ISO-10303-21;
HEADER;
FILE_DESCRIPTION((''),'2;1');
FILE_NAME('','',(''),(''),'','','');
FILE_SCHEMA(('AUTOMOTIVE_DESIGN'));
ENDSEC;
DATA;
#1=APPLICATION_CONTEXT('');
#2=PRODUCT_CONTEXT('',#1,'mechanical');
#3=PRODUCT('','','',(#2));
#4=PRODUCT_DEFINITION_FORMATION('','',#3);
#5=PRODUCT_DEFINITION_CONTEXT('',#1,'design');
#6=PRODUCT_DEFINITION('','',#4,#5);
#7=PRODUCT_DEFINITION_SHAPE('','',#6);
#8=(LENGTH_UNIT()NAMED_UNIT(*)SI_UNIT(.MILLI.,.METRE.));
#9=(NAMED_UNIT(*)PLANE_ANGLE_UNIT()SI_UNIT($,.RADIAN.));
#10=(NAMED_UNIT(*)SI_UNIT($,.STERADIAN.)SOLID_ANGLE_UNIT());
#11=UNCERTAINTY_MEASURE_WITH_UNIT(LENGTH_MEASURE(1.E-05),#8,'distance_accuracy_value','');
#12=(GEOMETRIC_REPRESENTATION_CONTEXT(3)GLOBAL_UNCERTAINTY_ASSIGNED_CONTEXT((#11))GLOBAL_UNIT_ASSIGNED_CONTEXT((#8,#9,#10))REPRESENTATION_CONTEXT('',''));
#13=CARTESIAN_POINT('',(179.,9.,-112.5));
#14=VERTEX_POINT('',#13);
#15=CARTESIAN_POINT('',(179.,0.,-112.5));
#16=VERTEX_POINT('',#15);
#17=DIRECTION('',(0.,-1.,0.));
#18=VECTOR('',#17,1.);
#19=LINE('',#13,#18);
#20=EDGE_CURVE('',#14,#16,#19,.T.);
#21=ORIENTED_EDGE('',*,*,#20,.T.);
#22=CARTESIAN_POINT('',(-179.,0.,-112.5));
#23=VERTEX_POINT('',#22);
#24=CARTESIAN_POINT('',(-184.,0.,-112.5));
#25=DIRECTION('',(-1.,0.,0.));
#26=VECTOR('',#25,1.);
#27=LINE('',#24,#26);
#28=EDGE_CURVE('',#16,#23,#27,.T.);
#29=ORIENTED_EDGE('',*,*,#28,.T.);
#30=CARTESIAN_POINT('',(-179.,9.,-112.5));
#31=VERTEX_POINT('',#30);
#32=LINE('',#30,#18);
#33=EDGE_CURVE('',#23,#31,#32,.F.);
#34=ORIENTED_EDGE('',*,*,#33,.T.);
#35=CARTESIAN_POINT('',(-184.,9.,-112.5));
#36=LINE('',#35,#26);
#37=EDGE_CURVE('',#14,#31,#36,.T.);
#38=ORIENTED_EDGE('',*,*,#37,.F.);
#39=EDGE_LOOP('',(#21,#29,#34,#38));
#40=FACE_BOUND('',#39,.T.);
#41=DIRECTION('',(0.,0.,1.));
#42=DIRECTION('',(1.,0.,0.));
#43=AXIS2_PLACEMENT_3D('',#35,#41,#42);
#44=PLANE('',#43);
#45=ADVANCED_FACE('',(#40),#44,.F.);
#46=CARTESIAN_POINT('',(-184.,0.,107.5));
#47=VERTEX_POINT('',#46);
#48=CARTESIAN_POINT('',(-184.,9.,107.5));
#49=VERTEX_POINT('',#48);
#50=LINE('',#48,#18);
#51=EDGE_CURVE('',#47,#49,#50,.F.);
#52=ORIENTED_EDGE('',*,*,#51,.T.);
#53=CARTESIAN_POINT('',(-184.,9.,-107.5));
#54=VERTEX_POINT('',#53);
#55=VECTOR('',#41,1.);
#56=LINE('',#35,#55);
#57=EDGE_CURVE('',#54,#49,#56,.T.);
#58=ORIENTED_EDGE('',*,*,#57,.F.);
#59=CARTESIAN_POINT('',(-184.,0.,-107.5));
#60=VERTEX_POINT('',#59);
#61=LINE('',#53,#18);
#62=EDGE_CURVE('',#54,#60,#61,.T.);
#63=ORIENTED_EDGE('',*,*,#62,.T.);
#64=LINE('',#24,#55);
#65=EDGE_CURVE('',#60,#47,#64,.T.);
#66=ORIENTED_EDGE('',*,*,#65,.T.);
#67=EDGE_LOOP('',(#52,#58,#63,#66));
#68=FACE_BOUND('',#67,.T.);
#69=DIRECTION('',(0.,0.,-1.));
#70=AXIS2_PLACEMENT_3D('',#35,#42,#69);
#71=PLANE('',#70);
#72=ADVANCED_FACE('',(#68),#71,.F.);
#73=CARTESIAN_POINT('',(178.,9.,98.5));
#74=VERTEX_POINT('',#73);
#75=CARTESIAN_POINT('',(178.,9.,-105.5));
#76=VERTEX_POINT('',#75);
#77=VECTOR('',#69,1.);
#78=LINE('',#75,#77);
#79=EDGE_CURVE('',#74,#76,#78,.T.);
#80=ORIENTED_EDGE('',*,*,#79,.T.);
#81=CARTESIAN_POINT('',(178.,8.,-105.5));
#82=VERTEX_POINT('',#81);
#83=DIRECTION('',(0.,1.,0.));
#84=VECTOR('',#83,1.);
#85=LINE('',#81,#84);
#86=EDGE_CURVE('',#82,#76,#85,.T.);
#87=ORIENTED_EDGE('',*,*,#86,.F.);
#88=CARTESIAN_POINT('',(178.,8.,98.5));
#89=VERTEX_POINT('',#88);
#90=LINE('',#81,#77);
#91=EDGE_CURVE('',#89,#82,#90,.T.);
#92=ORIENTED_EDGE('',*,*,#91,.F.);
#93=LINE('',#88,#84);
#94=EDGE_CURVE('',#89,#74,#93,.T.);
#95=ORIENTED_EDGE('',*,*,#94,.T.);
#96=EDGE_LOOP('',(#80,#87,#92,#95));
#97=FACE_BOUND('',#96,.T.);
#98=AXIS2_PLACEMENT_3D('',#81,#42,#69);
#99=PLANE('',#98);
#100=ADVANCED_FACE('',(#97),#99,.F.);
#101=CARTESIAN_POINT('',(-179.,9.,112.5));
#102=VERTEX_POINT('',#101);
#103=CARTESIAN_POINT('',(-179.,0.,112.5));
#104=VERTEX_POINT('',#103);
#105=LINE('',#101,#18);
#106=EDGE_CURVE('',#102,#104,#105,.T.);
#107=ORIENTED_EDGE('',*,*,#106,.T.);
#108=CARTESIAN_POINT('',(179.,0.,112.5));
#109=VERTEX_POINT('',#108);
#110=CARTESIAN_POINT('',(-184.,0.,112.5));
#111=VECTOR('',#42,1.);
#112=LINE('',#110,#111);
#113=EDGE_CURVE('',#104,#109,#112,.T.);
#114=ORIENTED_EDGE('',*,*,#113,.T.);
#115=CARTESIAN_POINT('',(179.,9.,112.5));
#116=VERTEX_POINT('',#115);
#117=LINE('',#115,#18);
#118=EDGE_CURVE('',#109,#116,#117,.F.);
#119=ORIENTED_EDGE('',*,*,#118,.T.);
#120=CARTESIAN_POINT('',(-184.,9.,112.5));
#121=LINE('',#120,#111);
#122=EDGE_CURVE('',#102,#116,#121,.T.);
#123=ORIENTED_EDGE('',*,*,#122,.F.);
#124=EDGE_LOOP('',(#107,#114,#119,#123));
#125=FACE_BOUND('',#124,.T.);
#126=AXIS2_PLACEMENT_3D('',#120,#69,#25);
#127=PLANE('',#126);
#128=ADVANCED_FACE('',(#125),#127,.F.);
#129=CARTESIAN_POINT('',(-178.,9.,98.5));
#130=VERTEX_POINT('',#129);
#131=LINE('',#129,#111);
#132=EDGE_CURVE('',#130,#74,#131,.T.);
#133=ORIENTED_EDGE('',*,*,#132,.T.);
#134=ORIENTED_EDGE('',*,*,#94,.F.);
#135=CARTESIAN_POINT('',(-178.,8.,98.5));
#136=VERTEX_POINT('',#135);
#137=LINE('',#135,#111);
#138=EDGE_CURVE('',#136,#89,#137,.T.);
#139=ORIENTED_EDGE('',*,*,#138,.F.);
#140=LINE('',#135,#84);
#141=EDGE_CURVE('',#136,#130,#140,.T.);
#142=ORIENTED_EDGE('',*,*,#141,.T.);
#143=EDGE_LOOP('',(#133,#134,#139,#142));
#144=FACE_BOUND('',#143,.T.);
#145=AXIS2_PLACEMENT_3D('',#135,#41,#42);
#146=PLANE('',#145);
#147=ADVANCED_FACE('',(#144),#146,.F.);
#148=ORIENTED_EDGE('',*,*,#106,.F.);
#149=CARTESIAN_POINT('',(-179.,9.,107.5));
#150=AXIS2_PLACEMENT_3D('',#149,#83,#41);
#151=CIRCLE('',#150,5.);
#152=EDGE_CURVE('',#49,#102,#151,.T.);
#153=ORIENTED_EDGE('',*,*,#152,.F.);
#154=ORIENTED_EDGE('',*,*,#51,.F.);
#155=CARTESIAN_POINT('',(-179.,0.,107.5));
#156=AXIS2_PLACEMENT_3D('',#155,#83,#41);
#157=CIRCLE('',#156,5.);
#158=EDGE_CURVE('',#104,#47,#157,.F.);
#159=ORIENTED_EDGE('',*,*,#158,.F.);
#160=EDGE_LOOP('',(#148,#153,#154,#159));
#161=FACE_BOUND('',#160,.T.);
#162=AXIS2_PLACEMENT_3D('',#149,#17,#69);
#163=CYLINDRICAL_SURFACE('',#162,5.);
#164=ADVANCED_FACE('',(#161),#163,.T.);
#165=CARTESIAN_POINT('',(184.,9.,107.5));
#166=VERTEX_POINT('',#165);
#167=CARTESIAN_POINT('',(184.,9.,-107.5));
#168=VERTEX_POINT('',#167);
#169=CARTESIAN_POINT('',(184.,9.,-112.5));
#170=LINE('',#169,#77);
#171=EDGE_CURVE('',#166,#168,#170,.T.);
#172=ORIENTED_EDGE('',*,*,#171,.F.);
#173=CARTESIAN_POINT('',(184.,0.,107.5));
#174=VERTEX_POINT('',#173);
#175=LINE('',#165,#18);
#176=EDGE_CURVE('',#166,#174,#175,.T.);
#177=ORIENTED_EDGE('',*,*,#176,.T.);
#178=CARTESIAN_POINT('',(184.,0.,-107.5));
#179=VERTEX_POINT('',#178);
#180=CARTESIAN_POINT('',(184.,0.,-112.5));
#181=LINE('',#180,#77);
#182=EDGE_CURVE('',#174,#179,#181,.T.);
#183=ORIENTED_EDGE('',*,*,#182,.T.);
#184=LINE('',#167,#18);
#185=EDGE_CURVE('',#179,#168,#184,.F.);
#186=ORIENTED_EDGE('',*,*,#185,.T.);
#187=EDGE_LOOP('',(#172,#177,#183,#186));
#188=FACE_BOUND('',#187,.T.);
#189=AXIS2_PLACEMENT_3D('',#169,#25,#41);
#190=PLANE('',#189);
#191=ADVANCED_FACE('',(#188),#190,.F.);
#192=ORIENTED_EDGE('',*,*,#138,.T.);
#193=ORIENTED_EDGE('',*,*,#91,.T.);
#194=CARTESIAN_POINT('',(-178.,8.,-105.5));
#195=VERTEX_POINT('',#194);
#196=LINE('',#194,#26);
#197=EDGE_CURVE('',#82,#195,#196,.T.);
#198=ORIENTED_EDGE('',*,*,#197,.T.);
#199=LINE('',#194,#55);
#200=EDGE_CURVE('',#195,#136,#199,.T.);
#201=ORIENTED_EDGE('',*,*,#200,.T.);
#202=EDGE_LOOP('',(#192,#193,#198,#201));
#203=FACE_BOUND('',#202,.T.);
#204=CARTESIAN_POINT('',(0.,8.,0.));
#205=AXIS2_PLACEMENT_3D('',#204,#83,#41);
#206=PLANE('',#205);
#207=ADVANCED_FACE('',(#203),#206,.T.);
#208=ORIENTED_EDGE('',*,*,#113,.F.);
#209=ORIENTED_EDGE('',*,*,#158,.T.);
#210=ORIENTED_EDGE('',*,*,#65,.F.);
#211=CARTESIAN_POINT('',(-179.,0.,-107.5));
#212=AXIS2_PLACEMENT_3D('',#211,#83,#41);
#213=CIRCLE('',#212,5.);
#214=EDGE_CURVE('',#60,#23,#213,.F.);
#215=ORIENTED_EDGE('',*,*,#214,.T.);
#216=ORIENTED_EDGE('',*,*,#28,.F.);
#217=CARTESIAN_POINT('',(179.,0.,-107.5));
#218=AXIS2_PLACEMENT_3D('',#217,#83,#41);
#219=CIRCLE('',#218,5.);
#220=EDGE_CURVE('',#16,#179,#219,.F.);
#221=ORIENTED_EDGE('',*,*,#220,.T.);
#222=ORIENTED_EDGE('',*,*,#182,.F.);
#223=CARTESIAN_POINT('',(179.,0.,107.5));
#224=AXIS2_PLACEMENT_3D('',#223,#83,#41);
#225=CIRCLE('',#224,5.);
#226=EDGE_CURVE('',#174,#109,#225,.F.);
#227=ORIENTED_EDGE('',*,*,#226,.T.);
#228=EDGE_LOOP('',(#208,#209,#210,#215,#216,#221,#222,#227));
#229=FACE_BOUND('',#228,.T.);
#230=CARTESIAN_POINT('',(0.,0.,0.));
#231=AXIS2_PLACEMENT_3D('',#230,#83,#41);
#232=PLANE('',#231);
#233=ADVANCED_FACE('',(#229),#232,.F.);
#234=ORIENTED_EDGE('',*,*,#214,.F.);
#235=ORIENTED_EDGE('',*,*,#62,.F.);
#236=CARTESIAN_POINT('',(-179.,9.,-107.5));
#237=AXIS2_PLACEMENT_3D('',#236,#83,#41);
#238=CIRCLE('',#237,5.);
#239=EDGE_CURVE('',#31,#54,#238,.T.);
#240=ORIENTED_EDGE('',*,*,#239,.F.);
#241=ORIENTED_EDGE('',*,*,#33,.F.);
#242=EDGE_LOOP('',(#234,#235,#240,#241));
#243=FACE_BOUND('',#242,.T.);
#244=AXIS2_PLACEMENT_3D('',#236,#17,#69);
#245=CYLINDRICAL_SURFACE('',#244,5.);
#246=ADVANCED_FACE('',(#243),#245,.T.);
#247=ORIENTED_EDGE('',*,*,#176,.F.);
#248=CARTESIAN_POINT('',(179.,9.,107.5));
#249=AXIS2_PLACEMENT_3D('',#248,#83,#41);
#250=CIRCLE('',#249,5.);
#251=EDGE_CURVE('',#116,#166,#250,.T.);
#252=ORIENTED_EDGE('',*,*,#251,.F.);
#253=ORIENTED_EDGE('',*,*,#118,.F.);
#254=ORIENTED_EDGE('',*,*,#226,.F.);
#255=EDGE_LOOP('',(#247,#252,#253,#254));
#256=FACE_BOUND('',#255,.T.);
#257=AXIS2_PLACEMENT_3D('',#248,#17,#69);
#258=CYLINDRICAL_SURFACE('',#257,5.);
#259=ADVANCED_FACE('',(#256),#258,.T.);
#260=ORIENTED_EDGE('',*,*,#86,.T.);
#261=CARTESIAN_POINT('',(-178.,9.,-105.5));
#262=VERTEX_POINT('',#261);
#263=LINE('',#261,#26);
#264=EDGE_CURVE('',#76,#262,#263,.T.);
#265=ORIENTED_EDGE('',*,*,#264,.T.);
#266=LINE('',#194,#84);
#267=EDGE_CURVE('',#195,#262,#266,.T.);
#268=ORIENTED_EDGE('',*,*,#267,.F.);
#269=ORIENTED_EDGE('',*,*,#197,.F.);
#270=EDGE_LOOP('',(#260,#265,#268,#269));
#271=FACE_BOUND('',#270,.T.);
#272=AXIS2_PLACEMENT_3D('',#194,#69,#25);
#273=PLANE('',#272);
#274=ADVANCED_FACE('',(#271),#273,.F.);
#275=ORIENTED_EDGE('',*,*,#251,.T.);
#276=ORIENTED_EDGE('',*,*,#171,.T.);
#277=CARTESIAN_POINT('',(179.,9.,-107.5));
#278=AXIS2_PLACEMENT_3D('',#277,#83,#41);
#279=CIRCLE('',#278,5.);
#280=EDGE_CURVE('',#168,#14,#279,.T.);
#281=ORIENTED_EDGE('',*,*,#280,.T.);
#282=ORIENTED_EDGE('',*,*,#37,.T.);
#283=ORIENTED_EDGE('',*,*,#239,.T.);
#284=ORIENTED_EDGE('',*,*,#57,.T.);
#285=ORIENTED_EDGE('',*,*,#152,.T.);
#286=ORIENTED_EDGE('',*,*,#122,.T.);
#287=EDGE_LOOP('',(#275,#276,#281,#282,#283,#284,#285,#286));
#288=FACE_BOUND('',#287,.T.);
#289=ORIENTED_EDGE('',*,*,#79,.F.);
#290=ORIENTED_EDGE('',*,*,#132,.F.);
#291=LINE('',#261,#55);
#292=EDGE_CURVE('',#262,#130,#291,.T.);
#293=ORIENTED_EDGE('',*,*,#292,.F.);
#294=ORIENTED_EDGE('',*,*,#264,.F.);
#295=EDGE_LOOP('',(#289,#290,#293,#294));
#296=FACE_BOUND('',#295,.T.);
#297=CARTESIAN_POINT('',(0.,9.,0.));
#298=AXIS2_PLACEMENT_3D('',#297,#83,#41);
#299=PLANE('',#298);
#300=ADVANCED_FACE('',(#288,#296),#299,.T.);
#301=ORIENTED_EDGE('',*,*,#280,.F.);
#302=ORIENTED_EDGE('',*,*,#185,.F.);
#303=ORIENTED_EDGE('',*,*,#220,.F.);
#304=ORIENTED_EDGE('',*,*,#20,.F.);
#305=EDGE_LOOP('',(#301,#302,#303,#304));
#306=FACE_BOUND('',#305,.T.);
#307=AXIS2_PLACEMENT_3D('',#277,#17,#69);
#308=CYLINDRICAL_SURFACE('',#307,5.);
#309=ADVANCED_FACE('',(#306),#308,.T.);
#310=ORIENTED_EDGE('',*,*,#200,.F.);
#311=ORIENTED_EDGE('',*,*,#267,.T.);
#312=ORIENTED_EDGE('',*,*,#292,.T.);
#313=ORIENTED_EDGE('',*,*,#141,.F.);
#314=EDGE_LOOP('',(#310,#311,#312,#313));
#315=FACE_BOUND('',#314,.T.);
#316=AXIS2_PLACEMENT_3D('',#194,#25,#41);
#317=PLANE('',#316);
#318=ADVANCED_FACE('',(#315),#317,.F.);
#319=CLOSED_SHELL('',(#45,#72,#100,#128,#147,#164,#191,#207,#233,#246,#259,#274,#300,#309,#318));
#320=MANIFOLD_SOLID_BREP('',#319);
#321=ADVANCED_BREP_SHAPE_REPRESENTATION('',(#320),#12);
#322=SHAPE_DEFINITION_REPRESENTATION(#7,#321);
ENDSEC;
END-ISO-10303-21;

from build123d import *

# Parameters (mm, degrees)
SKETCH_1_W          = 368
SKETCH_1_H          = 225
EXTRUDE_1_DEPTH     = 9
FILLET_1_R          = 5
SKETCH_2_W          = 356
SKETCH_2_H          = 204
CUT_EXTRUDE_1_DEPTH = 1


with BuildPart() as part:
    # 草图1 → 凸台-拉伸1 (new body)
    with BuildSketch(Plane(origin=(0, 0, 0), x_dir=(1, 0, 0), z_dir=(0, 1, 0))):
        Rectangle(SKETCH_1_W, SKETCH_1_H)
    extrude(amount=EXTRUDE_1_DEPTH)

    # 圆角1
    fillet_1_edges = [part.edges().sort_by_distance(p)[0] for p in [
        (-184, 4.5, -112.5),
        (184, 4.5, -112.5),
        (184, 4.5, 112.5),
        (-184, 4.5, 112.5),
    ]]
    fillet(fillet_1_edges, radius=FILLET_1_R)

    # 草图2 → 切除-拉伸1 (cut)
    with BuildSketch(Plane(origin=(0, 9, 0), x_dir=(1, 0, 0), z_dir=(0, 1, 0))):
        with Locations((0, 3.5)):
            Rectangle(SKETCH_2_W, SKETCH_2_H)
    extrude(amount=-CUT_EXTRUDE_1_DEPTH, mode=Mode.SUBTRACT)


solid = part.part
